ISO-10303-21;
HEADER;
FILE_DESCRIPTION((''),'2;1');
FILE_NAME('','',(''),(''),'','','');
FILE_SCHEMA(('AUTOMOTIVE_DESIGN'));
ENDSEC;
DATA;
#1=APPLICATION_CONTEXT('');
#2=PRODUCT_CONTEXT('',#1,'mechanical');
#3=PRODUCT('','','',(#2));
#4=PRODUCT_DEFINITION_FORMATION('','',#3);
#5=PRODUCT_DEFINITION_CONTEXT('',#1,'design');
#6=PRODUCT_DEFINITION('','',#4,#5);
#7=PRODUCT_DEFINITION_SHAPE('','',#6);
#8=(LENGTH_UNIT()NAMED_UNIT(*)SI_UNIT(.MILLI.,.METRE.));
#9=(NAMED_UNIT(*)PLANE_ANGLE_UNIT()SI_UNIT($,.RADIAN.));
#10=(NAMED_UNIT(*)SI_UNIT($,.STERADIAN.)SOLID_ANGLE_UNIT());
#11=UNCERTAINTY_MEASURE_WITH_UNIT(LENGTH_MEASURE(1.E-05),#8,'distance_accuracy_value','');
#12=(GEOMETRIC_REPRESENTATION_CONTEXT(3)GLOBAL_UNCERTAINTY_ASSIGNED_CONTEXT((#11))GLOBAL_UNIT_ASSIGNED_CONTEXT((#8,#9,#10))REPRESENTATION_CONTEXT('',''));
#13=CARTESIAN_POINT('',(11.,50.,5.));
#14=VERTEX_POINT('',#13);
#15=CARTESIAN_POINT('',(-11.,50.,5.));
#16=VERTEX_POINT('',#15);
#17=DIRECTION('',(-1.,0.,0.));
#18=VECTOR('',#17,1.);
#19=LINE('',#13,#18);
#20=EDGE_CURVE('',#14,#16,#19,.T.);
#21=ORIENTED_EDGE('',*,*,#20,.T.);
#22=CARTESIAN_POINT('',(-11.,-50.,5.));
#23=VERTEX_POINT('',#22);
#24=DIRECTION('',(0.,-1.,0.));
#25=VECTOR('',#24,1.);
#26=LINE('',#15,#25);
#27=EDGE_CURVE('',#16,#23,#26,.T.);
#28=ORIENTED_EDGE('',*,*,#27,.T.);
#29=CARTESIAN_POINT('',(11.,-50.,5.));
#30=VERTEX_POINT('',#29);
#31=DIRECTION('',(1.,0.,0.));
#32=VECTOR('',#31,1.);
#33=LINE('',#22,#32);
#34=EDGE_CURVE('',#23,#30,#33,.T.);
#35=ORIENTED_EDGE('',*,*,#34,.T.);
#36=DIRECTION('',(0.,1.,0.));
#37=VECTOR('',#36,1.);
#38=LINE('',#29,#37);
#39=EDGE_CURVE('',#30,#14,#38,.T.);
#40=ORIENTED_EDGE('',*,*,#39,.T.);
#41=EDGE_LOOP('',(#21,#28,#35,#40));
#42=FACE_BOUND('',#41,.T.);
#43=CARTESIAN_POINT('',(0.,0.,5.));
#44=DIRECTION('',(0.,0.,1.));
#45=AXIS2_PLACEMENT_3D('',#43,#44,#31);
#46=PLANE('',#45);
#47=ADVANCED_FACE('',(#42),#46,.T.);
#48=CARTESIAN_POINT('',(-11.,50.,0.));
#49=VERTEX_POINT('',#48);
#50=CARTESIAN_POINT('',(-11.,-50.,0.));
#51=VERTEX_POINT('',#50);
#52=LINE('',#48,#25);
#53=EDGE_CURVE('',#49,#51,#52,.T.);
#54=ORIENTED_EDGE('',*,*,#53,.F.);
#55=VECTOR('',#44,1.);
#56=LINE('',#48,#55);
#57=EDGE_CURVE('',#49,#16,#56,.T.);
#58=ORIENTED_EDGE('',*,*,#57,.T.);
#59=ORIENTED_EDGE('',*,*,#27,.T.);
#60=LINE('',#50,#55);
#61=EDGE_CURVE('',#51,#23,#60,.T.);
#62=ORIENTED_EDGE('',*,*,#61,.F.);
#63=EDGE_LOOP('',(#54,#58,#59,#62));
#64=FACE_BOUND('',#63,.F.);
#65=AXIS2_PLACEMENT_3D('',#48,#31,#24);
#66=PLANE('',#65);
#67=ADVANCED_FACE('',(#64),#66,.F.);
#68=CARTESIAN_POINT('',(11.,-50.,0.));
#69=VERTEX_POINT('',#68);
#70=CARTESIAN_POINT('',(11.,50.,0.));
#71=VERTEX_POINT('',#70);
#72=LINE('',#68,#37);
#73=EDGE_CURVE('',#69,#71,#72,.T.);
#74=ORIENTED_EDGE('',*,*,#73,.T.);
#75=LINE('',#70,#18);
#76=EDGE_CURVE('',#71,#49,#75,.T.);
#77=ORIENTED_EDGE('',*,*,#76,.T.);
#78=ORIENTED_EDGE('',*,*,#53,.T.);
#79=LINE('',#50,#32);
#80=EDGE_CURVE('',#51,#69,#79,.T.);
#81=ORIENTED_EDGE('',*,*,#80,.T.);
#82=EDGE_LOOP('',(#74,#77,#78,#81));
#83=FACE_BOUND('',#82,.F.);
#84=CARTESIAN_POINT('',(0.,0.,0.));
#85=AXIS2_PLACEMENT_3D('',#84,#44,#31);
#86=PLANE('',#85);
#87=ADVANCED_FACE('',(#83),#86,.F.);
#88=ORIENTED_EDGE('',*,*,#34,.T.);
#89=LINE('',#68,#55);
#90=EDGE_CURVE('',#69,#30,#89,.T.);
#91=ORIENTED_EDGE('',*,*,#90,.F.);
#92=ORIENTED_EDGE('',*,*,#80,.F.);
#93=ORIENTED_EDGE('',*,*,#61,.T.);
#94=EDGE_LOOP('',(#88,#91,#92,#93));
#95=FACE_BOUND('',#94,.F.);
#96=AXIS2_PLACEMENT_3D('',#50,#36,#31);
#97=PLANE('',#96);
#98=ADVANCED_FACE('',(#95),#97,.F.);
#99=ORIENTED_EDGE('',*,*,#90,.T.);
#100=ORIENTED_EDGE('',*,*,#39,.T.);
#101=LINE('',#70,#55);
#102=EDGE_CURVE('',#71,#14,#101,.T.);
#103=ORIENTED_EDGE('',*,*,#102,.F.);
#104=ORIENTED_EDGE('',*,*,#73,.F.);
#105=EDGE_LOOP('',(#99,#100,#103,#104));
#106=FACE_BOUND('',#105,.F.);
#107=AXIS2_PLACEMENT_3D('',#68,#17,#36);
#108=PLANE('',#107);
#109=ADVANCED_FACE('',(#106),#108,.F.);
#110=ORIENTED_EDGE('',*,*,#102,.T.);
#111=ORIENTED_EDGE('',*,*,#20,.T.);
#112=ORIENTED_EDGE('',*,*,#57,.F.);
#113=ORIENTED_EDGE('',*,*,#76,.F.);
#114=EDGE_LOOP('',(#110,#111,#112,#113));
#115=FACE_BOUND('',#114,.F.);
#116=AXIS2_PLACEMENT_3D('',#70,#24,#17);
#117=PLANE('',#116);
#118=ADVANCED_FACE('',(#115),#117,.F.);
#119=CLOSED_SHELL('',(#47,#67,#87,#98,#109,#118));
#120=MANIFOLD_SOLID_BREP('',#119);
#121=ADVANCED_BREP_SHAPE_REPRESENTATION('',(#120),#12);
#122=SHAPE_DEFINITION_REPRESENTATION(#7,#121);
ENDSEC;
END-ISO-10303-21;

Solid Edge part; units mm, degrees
sketch "Sketch1" plane through (0, 0, 0) normal (0, 0, 1) x (1, 0, 0)
  line L0 (-11, -50) -> (11, -50)
  line L1 (11, -50) -> (11, 50)
  line L2 (11, 50) -> (-11, 50)
  line L3 (-11, 50) -> (-11, -50)
extrude "Protrusion1" add sketch "Sketch1" along normal blind 5
extrude "Cutout1" [suppressed]
